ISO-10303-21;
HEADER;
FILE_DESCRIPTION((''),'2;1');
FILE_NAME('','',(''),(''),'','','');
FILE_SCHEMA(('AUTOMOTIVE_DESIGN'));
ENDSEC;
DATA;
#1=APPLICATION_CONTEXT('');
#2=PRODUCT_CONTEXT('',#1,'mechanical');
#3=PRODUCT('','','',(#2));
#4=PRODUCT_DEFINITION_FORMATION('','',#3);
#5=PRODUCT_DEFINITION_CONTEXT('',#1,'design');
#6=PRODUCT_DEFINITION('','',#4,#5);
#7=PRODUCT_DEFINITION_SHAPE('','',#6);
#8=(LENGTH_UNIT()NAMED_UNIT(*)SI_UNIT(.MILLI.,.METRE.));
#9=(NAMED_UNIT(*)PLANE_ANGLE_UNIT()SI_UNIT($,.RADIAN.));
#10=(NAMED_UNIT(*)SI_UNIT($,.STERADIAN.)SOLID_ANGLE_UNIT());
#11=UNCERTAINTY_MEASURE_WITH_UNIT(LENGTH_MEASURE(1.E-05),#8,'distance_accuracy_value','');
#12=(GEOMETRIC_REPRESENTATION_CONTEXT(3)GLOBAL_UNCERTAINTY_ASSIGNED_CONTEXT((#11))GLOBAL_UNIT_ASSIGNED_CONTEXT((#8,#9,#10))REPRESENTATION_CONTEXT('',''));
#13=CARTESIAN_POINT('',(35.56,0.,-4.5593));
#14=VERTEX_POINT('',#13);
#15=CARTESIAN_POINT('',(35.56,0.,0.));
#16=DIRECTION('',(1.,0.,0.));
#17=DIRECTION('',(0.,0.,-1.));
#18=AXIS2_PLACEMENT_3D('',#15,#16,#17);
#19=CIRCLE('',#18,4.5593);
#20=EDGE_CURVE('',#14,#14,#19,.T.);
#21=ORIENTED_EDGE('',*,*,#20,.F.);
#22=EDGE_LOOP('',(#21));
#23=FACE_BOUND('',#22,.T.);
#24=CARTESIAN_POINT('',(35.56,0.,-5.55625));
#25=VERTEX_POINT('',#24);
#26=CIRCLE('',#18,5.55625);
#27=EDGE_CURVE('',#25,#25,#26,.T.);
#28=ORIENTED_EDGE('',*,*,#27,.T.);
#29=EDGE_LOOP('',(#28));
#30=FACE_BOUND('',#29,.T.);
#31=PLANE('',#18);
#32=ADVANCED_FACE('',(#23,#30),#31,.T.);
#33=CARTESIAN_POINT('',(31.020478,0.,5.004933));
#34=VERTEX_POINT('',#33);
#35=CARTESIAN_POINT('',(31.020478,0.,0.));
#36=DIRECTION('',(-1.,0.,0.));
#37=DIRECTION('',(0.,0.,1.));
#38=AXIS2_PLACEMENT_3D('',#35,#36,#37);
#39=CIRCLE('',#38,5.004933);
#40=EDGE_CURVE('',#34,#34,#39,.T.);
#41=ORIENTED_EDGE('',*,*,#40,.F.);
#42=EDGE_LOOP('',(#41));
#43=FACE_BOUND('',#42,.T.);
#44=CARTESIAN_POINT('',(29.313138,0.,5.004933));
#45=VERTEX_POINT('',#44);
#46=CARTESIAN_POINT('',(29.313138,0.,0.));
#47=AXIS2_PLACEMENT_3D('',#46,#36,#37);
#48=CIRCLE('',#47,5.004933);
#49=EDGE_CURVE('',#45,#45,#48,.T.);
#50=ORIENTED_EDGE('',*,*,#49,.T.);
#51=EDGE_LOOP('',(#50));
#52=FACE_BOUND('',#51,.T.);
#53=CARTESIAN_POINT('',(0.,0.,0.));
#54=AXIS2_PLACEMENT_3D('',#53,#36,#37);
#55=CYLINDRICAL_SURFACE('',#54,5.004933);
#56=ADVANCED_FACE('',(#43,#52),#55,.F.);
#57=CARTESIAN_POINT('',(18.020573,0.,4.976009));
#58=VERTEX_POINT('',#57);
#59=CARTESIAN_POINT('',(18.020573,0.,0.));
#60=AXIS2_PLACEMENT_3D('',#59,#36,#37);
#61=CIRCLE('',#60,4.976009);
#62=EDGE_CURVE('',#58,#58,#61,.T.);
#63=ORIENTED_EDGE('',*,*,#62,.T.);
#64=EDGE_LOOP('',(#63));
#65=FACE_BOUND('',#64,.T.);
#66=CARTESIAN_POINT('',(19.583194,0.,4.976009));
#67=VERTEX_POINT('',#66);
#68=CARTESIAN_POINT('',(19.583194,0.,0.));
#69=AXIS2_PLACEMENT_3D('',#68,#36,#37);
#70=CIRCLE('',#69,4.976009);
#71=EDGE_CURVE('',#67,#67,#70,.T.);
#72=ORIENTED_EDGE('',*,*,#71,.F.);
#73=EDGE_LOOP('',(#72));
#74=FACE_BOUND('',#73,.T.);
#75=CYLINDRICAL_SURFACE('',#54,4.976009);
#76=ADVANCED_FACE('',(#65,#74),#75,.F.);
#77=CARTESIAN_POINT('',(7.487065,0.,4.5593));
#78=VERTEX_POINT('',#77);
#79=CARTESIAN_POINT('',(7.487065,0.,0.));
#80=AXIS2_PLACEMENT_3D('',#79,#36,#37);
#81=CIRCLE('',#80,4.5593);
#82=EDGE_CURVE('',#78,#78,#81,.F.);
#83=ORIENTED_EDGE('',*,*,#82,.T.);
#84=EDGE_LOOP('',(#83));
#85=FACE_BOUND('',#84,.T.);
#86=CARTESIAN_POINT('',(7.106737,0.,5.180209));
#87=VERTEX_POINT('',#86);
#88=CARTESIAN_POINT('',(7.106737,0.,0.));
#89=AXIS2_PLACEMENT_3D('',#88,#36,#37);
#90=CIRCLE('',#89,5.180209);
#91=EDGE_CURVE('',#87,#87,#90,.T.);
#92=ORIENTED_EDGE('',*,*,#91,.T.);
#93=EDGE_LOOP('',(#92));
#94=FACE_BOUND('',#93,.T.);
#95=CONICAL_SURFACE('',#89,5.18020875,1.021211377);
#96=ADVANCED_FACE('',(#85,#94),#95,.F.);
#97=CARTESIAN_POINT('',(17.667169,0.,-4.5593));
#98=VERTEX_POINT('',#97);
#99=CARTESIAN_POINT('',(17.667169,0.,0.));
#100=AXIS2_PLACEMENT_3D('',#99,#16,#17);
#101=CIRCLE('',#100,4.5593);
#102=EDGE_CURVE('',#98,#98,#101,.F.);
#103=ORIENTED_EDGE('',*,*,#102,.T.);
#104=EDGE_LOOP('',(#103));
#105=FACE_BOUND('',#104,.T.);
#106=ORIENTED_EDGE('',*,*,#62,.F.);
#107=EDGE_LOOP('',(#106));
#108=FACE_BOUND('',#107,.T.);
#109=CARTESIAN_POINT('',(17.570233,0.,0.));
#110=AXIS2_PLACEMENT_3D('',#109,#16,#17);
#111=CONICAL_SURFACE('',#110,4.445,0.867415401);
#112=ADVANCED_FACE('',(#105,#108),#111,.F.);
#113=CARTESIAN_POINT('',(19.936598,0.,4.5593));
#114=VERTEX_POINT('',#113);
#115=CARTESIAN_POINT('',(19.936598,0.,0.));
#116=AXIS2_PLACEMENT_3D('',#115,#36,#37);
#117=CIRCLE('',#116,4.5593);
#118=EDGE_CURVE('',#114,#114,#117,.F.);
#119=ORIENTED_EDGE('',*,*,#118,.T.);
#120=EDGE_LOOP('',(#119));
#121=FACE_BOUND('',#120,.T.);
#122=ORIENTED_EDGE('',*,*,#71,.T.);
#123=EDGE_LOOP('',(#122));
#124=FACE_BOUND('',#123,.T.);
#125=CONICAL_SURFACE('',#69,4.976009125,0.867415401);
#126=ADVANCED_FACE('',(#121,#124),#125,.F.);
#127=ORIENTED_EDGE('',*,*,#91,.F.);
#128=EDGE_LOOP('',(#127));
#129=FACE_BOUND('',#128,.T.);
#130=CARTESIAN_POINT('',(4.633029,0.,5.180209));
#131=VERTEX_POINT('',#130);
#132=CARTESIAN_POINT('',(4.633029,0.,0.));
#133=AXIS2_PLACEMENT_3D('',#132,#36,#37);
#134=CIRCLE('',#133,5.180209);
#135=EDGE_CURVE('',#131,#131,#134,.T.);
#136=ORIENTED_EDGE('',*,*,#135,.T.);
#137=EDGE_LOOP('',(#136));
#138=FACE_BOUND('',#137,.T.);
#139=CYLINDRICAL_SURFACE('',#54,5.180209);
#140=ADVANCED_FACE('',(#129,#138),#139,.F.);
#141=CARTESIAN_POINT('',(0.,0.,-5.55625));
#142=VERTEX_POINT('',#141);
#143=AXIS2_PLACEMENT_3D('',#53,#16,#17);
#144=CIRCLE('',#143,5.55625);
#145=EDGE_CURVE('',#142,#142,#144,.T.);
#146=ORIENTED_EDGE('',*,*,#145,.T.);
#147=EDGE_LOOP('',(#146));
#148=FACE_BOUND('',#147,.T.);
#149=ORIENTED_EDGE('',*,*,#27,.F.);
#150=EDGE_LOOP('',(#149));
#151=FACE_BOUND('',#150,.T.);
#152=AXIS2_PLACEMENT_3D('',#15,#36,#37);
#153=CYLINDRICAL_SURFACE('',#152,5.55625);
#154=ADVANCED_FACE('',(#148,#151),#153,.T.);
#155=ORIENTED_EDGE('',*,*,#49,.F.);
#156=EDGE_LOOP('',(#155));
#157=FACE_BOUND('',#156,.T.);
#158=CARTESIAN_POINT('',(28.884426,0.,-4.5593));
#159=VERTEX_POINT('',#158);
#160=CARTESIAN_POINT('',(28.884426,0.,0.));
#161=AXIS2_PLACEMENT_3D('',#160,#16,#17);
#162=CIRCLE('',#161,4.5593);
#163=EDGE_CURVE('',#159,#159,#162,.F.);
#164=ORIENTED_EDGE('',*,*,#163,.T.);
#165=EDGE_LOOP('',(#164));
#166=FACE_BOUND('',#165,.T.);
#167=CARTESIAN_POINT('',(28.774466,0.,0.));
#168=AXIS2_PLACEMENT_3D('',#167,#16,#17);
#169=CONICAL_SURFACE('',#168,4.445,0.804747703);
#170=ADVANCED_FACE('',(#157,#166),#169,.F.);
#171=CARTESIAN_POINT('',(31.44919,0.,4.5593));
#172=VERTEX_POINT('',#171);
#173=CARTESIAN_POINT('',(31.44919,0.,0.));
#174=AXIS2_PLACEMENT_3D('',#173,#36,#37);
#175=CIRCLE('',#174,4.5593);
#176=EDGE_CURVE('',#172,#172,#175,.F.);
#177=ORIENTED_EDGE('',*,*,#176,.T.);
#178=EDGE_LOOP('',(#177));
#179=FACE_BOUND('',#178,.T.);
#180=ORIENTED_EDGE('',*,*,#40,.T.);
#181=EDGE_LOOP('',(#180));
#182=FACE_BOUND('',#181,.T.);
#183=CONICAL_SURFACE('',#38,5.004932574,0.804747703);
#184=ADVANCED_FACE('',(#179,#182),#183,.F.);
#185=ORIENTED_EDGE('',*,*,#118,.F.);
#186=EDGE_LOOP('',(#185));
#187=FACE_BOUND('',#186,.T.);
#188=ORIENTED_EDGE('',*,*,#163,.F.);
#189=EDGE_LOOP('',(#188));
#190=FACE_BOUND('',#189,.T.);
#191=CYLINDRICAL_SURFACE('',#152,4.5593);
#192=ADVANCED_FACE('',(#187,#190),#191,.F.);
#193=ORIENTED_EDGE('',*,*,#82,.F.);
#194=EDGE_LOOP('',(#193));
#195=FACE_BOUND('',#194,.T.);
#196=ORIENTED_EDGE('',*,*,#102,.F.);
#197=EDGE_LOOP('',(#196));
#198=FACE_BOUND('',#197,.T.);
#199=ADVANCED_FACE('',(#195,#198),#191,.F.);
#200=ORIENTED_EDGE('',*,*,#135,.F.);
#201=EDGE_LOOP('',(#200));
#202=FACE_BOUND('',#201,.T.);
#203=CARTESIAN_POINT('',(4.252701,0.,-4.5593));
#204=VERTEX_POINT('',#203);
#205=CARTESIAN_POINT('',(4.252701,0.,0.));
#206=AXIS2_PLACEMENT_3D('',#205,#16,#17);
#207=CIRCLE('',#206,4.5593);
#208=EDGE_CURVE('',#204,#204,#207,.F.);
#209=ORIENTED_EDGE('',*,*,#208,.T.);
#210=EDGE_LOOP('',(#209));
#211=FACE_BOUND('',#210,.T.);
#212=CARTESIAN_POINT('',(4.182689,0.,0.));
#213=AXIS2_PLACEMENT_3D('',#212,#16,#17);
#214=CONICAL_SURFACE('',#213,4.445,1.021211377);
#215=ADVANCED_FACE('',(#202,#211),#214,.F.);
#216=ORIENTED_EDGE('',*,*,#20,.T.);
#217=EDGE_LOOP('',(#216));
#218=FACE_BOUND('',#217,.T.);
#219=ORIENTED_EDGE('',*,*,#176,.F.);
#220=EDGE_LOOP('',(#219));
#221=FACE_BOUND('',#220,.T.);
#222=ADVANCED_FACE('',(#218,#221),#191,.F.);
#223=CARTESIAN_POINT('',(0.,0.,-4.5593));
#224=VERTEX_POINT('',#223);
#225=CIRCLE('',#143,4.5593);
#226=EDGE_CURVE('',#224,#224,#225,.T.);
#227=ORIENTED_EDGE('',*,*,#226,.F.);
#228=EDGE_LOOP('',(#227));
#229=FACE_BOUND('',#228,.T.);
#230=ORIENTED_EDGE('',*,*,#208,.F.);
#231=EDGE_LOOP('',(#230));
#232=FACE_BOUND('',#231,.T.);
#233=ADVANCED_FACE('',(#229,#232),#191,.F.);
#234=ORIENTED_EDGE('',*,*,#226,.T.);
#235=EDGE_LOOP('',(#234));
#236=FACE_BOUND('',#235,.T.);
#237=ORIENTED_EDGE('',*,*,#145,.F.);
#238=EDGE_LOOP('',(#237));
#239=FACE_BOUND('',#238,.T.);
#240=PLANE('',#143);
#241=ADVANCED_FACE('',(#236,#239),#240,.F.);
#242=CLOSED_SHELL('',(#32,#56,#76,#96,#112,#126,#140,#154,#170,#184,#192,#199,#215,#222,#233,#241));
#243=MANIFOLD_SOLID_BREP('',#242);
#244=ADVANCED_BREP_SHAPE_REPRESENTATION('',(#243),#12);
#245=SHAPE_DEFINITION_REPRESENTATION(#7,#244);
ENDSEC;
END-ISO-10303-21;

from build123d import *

# Parameters (mm, degrees)
SKETCH1_R           = 5.55625
SKETCH1_R_2         = 4.5593
BOSS_EXTRUDE1_DEPTH = 35.56


with BuildPart() as part:
    # Sketch1 → Boss-Extrude1 (new body)
    with BuildSketch(Plane(origin=(0, 0, 0), x_dir=(0, 0, -1), z_dir=(1, 0, 0))):
        Circle(SKETCH1_R)
        Circle(SKETCH1_R_2, mode=Mode.SUBTRACT)
    extrude(amount=BOSS_EXTRUDE1_DEPTH)

    # Sketch2 → Cut-Revolve1 (revolve, cut)
    with BuildSketch(Plane.XY, mode=Mode.PRIVATE) as cut_revolve1_sk:
        Polygon((17.570232791, -4.445), (20.033534416, -4.445), (19.583193844, -4.976009125), (18.020573363, -4.976009125), align=None)
        Polygon((28.774465682, -4.445), (31.559150182, -4.445), (31.020477762, -5.004932574), (29.313138102, -5.004932574), align=None)
        Polygon((4.182688786, -4.445), (7.557077958, -4.445), (7.106737387, -5.18020875), (4.633029357, -5.18020875), align=None)
    revolve(cut_revolve1_sk.sketch.rotate(Axis((0, 0, 0), (1, 0, 0)), 270), axis=Axis((0, 0, 0), (1, 0, 0)), mode=Mode.SUBTRACT)


solid = part.part
